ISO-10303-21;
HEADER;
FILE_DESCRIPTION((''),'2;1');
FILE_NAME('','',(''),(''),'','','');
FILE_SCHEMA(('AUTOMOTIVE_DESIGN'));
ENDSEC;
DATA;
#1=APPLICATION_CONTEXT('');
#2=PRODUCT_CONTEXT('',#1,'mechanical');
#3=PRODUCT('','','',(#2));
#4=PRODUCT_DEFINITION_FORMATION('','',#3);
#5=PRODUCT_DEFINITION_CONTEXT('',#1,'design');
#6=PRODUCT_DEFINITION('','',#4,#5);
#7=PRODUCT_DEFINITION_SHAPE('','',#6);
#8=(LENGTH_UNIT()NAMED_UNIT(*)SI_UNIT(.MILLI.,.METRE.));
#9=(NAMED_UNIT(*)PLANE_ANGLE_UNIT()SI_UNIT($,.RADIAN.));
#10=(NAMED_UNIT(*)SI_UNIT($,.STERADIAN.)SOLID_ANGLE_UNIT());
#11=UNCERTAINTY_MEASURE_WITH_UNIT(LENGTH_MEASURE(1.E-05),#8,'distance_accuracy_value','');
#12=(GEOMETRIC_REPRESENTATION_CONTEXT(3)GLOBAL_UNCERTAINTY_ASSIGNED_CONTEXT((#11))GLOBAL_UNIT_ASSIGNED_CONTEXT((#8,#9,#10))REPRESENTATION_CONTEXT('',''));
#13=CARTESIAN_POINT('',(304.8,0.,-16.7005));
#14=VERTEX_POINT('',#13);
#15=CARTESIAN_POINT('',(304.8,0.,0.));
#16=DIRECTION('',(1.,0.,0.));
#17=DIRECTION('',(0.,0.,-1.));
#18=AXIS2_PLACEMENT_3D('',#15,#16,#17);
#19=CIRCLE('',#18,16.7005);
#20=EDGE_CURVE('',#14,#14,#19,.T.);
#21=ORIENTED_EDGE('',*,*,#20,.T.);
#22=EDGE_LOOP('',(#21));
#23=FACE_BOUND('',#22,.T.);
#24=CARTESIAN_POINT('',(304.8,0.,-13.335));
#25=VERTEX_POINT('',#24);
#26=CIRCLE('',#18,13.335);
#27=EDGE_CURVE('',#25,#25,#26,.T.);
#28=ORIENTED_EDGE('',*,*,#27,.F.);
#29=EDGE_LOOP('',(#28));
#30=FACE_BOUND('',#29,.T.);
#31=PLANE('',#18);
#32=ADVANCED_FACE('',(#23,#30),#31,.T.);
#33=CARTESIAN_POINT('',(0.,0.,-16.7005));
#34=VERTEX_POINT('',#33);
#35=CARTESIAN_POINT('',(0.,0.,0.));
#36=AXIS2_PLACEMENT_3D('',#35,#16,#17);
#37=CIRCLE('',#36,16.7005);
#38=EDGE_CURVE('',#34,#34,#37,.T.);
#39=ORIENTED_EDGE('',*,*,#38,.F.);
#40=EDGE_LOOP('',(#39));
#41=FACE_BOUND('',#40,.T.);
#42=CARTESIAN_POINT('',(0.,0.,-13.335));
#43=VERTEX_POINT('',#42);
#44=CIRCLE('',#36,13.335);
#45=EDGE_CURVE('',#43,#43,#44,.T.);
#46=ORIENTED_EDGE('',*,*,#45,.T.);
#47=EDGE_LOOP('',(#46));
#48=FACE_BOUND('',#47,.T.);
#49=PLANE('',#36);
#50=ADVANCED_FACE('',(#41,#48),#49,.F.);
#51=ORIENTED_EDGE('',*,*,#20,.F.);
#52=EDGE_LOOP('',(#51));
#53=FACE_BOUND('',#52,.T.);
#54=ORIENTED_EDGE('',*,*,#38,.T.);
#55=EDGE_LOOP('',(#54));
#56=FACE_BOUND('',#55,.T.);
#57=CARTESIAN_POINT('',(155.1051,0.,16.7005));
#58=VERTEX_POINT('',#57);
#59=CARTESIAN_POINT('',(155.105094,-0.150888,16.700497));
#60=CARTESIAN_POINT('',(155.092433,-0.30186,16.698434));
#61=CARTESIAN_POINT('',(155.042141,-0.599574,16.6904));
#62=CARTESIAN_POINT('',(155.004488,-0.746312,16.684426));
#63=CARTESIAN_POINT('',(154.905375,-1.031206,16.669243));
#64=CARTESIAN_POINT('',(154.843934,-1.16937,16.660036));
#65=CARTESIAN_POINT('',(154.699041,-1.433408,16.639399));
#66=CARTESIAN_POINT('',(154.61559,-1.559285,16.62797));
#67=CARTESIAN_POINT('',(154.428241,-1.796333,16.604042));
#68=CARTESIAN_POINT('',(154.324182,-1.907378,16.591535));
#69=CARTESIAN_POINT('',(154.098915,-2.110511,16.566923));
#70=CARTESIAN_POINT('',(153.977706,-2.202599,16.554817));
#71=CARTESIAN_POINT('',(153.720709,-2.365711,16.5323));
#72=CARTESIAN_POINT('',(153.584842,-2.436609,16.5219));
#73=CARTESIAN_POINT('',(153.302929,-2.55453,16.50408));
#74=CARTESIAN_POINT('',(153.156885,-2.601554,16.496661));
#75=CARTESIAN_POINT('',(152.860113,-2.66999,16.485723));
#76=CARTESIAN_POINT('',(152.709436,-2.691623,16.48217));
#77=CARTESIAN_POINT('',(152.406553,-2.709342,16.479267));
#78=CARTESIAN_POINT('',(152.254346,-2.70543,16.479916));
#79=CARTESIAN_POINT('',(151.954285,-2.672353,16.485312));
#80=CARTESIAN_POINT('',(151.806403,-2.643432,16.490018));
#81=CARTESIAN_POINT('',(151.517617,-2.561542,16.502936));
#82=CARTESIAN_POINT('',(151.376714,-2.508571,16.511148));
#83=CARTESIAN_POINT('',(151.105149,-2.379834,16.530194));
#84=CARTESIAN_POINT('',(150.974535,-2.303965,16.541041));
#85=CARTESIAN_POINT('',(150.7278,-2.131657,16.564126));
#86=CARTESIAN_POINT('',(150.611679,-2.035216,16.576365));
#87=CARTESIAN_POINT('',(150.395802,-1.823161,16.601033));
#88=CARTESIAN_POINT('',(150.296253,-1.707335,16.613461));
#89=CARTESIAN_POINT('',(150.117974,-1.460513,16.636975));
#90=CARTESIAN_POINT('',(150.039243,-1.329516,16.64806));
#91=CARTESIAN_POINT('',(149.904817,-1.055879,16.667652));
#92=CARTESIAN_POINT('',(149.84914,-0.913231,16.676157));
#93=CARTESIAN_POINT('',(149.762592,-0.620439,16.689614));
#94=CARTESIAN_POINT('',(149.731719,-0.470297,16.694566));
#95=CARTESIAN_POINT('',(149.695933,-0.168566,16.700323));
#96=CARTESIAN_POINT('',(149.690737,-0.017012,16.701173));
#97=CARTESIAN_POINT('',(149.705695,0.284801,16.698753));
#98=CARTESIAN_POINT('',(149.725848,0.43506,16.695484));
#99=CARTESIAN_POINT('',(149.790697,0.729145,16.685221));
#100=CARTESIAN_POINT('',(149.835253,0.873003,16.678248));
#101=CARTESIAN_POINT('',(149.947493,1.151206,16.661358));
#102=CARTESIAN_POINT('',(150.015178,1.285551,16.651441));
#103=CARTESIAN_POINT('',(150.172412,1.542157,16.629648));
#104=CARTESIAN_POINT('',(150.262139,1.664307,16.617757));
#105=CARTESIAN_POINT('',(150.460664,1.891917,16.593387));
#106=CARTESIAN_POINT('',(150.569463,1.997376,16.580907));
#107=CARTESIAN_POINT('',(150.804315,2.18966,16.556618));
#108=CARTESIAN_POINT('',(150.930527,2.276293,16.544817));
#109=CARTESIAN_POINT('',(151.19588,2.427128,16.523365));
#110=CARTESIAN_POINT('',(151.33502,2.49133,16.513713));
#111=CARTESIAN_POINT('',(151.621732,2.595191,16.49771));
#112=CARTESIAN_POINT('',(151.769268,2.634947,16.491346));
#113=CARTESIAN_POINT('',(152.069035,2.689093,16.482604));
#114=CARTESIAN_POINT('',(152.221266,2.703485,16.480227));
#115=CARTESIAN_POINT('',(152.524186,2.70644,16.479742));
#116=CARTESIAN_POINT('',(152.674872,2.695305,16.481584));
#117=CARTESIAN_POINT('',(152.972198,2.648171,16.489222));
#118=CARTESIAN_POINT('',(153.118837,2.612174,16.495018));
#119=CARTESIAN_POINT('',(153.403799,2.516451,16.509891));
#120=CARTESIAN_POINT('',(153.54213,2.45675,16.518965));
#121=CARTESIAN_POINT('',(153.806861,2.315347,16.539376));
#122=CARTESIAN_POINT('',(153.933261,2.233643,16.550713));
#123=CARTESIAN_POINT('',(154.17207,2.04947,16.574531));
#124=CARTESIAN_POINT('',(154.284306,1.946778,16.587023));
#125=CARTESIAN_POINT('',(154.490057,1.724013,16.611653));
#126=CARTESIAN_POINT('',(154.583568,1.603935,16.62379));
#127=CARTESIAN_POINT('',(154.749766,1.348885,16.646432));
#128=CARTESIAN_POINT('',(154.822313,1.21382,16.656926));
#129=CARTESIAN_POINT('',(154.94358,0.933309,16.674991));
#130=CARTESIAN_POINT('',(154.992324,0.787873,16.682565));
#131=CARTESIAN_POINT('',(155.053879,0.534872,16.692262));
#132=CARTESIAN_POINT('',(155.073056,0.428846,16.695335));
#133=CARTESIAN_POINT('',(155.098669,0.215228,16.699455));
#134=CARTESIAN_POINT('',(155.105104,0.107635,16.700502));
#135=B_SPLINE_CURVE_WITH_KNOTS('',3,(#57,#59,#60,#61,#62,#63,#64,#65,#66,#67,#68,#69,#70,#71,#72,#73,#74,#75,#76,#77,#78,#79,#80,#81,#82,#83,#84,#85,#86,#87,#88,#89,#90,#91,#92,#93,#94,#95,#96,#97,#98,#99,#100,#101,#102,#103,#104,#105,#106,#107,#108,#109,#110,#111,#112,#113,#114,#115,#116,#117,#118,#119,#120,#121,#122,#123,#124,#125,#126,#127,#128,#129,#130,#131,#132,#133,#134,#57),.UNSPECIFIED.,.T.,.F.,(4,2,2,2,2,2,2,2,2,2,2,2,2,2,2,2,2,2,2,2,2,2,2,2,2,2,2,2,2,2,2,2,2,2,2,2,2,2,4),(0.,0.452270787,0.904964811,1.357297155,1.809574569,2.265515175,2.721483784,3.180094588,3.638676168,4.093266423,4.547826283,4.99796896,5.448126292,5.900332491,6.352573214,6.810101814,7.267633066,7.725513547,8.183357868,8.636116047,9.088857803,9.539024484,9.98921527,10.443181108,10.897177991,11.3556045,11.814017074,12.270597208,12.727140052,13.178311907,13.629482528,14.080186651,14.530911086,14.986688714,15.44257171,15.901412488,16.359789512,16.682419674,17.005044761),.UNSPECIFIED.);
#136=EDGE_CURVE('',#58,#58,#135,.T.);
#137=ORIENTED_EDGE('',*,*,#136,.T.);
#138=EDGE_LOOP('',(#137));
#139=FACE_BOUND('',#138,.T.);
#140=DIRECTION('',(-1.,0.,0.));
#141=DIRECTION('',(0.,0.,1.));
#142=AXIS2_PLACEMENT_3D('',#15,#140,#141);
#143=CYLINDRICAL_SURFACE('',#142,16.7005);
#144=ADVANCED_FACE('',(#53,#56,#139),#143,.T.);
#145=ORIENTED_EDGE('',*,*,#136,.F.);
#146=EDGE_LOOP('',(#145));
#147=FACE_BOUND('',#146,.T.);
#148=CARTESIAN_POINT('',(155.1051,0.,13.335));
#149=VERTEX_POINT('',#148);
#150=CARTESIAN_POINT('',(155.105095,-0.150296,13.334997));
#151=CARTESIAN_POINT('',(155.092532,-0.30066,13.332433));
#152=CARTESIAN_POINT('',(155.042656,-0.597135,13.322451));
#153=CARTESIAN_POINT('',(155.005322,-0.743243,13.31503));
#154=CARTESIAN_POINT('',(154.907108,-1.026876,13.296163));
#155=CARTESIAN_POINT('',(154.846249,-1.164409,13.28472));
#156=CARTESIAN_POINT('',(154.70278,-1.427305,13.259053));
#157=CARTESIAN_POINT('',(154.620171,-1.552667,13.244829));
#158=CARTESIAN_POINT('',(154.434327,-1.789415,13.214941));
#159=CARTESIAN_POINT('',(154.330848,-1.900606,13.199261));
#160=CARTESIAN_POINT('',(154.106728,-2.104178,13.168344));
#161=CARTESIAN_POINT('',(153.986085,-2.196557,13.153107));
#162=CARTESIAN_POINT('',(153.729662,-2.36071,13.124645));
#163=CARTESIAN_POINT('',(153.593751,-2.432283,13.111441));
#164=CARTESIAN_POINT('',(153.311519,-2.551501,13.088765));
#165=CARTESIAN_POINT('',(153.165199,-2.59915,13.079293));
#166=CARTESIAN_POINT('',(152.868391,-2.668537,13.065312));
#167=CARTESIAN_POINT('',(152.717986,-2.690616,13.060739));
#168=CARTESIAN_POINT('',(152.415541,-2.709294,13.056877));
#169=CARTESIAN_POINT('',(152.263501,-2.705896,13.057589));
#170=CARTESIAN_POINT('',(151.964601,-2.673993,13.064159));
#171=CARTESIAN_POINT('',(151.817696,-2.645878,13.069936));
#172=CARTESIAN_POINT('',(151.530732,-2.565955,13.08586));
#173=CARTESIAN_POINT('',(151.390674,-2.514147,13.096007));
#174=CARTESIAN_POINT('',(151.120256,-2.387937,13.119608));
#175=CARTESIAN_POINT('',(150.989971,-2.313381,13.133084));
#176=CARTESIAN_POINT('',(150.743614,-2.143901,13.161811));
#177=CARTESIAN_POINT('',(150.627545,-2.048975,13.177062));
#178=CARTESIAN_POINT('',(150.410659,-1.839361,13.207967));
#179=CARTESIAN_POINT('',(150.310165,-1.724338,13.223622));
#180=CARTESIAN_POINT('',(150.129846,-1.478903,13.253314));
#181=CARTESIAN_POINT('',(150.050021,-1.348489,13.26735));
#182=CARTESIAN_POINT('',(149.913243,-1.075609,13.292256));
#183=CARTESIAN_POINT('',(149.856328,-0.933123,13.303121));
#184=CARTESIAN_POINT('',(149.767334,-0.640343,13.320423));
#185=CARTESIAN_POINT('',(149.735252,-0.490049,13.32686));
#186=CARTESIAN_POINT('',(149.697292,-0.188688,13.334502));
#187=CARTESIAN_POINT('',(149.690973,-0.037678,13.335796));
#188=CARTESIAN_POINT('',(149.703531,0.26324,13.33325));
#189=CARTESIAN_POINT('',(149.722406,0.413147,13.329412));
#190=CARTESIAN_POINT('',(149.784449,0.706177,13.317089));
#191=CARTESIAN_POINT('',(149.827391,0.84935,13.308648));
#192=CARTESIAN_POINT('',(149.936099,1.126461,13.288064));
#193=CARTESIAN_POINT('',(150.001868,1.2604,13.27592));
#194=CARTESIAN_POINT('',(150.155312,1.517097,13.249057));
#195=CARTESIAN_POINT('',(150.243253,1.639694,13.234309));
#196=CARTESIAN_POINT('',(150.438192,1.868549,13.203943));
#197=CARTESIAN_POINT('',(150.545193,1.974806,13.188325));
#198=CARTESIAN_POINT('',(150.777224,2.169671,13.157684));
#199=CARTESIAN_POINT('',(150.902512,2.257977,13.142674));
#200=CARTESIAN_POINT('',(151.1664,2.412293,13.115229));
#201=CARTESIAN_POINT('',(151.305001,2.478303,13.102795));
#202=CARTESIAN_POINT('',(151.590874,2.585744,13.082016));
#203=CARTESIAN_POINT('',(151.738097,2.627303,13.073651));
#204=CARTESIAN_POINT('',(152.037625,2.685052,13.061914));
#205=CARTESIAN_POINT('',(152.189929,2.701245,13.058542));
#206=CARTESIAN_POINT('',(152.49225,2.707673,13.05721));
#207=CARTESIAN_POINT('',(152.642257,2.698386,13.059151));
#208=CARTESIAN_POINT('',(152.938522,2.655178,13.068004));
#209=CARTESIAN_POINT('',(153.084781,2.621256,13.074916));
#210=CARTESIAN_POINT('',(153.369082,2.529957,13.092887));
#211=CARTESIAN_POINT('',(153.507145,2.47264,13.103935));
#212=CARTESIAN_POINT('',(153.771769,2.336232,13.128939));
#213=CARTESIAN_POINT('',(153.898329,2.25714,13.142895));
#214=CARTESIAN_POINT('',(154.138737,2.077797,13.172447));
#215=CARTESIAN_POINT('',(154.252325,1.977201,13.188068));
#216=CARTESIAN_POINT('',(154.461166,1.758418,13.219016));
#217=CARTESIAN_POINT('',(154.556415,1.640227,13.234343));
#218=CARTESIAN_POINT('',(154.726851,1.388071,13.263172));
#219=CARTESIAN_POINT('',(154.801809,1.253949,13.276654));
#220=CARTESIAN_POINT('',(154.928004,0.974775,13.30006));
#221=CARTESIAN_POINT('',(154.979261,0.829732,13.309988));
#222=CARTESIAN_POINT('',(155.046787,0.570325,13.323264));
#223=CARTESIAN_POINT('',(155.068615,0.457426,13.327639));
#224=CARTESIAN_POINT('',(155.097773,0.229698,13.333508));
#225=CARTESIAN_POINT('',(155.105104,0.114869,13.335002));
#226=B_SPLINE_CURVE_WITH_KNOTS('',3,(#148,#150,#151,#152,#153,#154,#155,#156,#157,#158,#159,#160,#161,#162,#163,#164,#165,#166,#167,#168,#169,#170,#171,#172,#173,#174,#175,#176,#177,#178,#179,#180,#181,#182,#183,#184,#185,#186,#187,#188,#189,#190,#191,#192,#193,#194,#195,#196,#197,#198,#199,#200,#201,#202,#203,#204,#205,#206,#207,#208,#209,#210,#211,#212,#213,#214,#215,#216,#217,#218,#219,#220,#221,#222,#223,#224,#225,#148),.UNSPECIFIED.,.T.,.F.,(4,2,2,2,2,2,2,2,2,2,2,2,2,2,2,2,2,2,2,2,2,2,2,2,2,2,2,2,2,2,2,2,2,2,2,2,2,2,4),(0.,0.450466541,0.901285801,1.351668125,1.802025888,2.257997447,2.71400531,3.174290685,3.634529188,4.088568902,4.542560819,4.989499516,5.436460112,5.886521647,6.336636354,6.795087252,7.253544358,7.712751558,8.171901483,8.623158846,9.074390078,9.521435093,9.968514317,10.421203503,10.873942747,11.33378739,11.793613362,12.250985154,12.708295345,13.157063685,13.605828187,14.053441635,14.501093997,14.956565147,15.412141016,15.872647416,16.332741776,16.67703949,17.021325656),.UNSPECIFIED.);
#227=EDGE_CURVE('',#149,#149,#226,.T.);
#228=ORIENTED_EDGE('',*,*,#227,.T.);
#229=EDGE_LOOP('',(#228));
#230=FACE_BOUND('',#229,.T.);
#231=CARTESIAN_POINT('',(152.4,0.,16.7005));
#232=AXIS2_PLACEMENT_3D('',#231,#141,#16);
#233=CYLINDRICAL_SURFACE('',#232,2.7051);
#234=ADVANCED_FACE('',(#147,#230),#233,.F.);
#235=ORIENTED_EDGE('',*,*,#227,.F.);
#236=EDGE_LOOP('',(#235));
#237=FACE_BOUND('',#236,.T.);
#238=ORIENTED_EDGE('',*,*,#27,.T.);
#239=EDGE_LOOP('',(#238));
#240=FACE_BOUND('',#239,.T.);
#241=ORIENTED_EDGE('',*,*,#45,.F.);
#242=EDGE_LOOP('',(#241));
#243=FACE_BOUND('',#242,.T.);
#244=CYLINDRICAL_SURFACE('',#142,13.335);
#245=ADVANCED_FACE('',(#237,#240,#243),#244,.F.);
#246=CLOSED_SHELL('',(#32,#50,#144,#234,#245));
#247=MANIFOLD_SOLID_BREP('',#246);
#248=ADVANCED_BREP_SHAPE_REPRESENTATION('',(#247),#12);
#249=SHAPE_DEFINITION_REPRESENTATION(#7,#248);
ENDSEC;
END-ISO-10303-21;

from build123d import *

# Parameters (mm, degrees)
SKETCH1_R                    = 16.7005
SKETCH1_R_2                  = 13.335
BOSS_EXTRUDE1_DEPTH          = 304.8
F_1_4_28_TAPPED_HOLE1_REACH  = 158.909
F_1_4_28_TAPPED_HOLE1_BORE_R = 2.7051


with BuildPart() as part:
    # Sketch1 → Boss-Extrude1 (new body)
    with BuildSketch(Plane(origin=(0, 0, 0), x_dir=(0, 0, -1), z_dir=(1, 0, 0))):
        with Locations(Location((0, 0, 0), (0, 0, 180))):
            Circle(SKETCH1_R)
        with Locations(Location((0, 0, 0), (0, 0, 180))):
            Circle(SKETCH1_R_2, mode=Mode.SUBTRACT)
    extrude(amount=BOSS_EXTRUDE1_DEPTH)

    # 1/4-28 Tapped Hole1 bore (on position points) → 1/4-28 Tapped Hole1 (cut, up to next)
    with BuildSketch(Plane(origin=(152.4, 0, 16.7005), x_dir=(1, 0, 0), z_dir=(0, 0, 1)), mode=Mode.PRIVATE) as f_1_4_28_tapped_hole1_sk1:
        Circle(F_1_4_28_TAPPED_HOLE1_BORE_R)
    f_1_4_28_tapped_hole1_tool1 = extrude(f_1_4_28_tapped_hole1_sk1.sketch, amount=-F_1_4_28_TAPPED_HOLE1_REACH, mode=Mode.PRIVATE) & part.part
    add(f_1_4_28_tapped_hole1_tool1.solids().sort_by_distance((152.4, 0, 16.7005))[0], mode=Mode.SUBTRACT)


solid = part.part
